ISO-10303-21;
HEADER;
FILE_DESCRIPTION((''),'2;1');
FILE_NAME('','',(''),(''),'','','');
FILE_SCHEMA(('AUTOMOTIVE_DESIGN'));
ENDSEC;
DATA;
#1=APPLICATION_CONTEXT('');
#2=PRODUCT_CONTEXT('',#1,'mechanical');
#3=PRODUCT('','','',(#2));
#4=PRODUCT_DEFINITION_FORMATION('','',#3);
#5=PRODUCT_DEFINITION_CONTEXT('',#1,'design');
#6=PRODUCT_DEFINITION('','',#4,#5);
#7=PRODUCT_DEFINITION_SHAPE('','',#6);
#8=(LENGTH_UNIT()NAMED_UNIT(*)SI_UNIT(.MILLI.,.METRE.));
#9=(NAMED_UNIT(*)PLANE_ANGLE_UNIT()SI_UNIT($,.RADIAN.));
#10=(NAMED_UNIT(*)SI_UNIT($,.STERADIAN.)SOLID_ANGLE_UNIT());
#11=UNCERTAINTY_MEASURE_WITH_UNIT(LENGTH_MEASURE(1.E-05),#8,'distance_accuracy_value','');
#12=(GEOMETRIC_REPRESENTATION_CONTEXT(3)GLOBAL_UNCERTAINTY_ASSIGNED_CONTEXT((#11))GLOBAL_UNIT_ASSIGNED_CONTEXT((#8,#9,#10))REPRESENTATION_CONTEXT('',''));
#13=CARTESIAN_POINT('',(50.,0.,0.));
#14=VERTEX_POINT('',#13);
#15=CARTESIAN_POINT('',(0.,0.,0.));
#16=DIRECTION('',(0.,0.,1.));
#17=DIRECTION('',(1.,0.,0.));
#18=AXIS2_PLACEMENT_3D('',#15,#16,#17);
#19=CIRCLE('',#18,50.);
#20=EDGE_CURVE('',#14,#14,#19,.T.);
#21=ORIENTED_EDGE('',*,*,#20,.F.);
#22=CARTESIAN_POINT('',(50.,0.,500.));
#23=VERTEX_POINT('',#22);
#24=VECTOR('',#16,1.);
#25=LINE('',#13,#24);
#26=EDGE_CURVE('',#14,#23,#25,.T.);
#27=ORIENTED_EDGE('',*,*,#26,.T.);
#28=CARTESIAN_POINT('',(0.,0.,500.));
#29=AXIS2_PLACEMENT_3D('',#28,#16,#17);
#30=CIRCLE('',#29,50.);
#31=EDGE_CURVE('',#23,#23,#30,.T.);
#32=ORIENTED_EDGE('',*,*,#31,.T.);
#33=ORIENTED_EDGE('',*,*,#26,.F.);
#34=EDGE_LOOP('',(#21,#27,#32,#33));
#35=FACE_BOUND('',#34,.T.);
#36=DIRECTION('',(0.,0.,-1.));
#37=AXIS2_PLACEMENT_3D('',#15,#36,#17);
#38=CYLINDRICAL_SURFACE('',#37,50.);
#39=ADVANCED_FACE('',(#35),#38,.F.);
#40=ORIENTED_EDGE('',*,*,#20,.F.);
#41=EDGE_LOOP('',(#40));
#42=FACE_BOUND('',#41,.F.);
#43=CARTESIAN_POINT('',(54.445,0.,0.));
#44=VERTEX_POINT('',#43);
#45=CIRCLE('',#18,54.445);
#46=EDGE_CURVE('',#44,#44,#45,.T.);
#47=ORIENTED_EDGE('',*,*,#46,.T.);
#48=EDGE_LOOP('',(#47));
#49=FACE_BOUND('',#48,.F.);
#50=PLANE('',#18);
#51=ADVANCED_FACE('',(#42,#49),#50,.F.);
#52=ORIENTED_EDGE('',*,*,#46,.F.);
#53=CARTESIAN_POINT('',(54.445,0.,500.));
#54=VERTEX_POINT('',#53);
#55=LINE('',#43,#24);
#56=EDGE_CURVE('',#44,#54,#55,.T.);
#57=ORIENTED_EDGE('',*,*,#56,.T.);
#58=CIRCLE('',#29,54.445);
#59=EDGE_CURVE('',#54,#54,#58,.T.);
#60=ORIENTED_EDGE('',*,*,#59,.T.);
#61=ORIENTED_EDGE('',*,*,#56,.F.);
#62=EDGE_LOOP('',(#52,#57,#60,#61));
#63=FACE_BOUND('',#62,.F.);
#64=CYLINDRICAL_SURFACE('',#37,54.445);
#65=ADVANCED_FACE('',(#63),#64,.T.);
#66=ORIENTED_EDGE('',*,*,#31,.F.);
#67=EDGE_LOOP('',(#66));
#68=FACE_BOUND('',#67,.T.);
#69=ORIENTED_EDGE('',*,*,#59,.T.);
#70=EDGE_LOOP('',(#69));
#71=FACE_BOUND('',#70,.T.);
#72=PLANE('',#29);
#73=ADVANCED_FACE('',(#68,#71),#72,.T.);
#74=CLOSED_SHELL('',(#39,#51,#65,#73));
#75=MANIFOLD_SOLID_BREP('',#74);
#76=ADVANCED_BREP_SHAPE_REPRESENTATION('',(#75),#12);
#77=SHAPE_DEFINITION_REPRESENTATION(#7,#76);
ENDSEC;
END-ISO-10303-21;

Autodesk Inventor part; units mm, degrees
ref_plane "YZ Plane" through (0, 0, 0) normal (1, 0, 0) x (0, 1, 0)
ref_plane "XZ Plane" through (0, 0, 0) normal (0, 1, 0) x (-1, 0, 0)
ref_plane "XY Plane" through (0, 0, 0) normal (0, 0, 1) x (1, 0, 0)
sketch "Sketch1" plane through (0, 0, 0) normal (0, 0, 1) x (1, 0, 0)
  circle A0 centre (0, 0) radius 50
  circle A1 centre (0, 0) radius 54.445
  dimension "d0" = 100
  dimension "d1" = 4.445
extrude "Extrusion1" add sketch "Sketch1" along normal blind 500
properties part number "pipe1.5m"
